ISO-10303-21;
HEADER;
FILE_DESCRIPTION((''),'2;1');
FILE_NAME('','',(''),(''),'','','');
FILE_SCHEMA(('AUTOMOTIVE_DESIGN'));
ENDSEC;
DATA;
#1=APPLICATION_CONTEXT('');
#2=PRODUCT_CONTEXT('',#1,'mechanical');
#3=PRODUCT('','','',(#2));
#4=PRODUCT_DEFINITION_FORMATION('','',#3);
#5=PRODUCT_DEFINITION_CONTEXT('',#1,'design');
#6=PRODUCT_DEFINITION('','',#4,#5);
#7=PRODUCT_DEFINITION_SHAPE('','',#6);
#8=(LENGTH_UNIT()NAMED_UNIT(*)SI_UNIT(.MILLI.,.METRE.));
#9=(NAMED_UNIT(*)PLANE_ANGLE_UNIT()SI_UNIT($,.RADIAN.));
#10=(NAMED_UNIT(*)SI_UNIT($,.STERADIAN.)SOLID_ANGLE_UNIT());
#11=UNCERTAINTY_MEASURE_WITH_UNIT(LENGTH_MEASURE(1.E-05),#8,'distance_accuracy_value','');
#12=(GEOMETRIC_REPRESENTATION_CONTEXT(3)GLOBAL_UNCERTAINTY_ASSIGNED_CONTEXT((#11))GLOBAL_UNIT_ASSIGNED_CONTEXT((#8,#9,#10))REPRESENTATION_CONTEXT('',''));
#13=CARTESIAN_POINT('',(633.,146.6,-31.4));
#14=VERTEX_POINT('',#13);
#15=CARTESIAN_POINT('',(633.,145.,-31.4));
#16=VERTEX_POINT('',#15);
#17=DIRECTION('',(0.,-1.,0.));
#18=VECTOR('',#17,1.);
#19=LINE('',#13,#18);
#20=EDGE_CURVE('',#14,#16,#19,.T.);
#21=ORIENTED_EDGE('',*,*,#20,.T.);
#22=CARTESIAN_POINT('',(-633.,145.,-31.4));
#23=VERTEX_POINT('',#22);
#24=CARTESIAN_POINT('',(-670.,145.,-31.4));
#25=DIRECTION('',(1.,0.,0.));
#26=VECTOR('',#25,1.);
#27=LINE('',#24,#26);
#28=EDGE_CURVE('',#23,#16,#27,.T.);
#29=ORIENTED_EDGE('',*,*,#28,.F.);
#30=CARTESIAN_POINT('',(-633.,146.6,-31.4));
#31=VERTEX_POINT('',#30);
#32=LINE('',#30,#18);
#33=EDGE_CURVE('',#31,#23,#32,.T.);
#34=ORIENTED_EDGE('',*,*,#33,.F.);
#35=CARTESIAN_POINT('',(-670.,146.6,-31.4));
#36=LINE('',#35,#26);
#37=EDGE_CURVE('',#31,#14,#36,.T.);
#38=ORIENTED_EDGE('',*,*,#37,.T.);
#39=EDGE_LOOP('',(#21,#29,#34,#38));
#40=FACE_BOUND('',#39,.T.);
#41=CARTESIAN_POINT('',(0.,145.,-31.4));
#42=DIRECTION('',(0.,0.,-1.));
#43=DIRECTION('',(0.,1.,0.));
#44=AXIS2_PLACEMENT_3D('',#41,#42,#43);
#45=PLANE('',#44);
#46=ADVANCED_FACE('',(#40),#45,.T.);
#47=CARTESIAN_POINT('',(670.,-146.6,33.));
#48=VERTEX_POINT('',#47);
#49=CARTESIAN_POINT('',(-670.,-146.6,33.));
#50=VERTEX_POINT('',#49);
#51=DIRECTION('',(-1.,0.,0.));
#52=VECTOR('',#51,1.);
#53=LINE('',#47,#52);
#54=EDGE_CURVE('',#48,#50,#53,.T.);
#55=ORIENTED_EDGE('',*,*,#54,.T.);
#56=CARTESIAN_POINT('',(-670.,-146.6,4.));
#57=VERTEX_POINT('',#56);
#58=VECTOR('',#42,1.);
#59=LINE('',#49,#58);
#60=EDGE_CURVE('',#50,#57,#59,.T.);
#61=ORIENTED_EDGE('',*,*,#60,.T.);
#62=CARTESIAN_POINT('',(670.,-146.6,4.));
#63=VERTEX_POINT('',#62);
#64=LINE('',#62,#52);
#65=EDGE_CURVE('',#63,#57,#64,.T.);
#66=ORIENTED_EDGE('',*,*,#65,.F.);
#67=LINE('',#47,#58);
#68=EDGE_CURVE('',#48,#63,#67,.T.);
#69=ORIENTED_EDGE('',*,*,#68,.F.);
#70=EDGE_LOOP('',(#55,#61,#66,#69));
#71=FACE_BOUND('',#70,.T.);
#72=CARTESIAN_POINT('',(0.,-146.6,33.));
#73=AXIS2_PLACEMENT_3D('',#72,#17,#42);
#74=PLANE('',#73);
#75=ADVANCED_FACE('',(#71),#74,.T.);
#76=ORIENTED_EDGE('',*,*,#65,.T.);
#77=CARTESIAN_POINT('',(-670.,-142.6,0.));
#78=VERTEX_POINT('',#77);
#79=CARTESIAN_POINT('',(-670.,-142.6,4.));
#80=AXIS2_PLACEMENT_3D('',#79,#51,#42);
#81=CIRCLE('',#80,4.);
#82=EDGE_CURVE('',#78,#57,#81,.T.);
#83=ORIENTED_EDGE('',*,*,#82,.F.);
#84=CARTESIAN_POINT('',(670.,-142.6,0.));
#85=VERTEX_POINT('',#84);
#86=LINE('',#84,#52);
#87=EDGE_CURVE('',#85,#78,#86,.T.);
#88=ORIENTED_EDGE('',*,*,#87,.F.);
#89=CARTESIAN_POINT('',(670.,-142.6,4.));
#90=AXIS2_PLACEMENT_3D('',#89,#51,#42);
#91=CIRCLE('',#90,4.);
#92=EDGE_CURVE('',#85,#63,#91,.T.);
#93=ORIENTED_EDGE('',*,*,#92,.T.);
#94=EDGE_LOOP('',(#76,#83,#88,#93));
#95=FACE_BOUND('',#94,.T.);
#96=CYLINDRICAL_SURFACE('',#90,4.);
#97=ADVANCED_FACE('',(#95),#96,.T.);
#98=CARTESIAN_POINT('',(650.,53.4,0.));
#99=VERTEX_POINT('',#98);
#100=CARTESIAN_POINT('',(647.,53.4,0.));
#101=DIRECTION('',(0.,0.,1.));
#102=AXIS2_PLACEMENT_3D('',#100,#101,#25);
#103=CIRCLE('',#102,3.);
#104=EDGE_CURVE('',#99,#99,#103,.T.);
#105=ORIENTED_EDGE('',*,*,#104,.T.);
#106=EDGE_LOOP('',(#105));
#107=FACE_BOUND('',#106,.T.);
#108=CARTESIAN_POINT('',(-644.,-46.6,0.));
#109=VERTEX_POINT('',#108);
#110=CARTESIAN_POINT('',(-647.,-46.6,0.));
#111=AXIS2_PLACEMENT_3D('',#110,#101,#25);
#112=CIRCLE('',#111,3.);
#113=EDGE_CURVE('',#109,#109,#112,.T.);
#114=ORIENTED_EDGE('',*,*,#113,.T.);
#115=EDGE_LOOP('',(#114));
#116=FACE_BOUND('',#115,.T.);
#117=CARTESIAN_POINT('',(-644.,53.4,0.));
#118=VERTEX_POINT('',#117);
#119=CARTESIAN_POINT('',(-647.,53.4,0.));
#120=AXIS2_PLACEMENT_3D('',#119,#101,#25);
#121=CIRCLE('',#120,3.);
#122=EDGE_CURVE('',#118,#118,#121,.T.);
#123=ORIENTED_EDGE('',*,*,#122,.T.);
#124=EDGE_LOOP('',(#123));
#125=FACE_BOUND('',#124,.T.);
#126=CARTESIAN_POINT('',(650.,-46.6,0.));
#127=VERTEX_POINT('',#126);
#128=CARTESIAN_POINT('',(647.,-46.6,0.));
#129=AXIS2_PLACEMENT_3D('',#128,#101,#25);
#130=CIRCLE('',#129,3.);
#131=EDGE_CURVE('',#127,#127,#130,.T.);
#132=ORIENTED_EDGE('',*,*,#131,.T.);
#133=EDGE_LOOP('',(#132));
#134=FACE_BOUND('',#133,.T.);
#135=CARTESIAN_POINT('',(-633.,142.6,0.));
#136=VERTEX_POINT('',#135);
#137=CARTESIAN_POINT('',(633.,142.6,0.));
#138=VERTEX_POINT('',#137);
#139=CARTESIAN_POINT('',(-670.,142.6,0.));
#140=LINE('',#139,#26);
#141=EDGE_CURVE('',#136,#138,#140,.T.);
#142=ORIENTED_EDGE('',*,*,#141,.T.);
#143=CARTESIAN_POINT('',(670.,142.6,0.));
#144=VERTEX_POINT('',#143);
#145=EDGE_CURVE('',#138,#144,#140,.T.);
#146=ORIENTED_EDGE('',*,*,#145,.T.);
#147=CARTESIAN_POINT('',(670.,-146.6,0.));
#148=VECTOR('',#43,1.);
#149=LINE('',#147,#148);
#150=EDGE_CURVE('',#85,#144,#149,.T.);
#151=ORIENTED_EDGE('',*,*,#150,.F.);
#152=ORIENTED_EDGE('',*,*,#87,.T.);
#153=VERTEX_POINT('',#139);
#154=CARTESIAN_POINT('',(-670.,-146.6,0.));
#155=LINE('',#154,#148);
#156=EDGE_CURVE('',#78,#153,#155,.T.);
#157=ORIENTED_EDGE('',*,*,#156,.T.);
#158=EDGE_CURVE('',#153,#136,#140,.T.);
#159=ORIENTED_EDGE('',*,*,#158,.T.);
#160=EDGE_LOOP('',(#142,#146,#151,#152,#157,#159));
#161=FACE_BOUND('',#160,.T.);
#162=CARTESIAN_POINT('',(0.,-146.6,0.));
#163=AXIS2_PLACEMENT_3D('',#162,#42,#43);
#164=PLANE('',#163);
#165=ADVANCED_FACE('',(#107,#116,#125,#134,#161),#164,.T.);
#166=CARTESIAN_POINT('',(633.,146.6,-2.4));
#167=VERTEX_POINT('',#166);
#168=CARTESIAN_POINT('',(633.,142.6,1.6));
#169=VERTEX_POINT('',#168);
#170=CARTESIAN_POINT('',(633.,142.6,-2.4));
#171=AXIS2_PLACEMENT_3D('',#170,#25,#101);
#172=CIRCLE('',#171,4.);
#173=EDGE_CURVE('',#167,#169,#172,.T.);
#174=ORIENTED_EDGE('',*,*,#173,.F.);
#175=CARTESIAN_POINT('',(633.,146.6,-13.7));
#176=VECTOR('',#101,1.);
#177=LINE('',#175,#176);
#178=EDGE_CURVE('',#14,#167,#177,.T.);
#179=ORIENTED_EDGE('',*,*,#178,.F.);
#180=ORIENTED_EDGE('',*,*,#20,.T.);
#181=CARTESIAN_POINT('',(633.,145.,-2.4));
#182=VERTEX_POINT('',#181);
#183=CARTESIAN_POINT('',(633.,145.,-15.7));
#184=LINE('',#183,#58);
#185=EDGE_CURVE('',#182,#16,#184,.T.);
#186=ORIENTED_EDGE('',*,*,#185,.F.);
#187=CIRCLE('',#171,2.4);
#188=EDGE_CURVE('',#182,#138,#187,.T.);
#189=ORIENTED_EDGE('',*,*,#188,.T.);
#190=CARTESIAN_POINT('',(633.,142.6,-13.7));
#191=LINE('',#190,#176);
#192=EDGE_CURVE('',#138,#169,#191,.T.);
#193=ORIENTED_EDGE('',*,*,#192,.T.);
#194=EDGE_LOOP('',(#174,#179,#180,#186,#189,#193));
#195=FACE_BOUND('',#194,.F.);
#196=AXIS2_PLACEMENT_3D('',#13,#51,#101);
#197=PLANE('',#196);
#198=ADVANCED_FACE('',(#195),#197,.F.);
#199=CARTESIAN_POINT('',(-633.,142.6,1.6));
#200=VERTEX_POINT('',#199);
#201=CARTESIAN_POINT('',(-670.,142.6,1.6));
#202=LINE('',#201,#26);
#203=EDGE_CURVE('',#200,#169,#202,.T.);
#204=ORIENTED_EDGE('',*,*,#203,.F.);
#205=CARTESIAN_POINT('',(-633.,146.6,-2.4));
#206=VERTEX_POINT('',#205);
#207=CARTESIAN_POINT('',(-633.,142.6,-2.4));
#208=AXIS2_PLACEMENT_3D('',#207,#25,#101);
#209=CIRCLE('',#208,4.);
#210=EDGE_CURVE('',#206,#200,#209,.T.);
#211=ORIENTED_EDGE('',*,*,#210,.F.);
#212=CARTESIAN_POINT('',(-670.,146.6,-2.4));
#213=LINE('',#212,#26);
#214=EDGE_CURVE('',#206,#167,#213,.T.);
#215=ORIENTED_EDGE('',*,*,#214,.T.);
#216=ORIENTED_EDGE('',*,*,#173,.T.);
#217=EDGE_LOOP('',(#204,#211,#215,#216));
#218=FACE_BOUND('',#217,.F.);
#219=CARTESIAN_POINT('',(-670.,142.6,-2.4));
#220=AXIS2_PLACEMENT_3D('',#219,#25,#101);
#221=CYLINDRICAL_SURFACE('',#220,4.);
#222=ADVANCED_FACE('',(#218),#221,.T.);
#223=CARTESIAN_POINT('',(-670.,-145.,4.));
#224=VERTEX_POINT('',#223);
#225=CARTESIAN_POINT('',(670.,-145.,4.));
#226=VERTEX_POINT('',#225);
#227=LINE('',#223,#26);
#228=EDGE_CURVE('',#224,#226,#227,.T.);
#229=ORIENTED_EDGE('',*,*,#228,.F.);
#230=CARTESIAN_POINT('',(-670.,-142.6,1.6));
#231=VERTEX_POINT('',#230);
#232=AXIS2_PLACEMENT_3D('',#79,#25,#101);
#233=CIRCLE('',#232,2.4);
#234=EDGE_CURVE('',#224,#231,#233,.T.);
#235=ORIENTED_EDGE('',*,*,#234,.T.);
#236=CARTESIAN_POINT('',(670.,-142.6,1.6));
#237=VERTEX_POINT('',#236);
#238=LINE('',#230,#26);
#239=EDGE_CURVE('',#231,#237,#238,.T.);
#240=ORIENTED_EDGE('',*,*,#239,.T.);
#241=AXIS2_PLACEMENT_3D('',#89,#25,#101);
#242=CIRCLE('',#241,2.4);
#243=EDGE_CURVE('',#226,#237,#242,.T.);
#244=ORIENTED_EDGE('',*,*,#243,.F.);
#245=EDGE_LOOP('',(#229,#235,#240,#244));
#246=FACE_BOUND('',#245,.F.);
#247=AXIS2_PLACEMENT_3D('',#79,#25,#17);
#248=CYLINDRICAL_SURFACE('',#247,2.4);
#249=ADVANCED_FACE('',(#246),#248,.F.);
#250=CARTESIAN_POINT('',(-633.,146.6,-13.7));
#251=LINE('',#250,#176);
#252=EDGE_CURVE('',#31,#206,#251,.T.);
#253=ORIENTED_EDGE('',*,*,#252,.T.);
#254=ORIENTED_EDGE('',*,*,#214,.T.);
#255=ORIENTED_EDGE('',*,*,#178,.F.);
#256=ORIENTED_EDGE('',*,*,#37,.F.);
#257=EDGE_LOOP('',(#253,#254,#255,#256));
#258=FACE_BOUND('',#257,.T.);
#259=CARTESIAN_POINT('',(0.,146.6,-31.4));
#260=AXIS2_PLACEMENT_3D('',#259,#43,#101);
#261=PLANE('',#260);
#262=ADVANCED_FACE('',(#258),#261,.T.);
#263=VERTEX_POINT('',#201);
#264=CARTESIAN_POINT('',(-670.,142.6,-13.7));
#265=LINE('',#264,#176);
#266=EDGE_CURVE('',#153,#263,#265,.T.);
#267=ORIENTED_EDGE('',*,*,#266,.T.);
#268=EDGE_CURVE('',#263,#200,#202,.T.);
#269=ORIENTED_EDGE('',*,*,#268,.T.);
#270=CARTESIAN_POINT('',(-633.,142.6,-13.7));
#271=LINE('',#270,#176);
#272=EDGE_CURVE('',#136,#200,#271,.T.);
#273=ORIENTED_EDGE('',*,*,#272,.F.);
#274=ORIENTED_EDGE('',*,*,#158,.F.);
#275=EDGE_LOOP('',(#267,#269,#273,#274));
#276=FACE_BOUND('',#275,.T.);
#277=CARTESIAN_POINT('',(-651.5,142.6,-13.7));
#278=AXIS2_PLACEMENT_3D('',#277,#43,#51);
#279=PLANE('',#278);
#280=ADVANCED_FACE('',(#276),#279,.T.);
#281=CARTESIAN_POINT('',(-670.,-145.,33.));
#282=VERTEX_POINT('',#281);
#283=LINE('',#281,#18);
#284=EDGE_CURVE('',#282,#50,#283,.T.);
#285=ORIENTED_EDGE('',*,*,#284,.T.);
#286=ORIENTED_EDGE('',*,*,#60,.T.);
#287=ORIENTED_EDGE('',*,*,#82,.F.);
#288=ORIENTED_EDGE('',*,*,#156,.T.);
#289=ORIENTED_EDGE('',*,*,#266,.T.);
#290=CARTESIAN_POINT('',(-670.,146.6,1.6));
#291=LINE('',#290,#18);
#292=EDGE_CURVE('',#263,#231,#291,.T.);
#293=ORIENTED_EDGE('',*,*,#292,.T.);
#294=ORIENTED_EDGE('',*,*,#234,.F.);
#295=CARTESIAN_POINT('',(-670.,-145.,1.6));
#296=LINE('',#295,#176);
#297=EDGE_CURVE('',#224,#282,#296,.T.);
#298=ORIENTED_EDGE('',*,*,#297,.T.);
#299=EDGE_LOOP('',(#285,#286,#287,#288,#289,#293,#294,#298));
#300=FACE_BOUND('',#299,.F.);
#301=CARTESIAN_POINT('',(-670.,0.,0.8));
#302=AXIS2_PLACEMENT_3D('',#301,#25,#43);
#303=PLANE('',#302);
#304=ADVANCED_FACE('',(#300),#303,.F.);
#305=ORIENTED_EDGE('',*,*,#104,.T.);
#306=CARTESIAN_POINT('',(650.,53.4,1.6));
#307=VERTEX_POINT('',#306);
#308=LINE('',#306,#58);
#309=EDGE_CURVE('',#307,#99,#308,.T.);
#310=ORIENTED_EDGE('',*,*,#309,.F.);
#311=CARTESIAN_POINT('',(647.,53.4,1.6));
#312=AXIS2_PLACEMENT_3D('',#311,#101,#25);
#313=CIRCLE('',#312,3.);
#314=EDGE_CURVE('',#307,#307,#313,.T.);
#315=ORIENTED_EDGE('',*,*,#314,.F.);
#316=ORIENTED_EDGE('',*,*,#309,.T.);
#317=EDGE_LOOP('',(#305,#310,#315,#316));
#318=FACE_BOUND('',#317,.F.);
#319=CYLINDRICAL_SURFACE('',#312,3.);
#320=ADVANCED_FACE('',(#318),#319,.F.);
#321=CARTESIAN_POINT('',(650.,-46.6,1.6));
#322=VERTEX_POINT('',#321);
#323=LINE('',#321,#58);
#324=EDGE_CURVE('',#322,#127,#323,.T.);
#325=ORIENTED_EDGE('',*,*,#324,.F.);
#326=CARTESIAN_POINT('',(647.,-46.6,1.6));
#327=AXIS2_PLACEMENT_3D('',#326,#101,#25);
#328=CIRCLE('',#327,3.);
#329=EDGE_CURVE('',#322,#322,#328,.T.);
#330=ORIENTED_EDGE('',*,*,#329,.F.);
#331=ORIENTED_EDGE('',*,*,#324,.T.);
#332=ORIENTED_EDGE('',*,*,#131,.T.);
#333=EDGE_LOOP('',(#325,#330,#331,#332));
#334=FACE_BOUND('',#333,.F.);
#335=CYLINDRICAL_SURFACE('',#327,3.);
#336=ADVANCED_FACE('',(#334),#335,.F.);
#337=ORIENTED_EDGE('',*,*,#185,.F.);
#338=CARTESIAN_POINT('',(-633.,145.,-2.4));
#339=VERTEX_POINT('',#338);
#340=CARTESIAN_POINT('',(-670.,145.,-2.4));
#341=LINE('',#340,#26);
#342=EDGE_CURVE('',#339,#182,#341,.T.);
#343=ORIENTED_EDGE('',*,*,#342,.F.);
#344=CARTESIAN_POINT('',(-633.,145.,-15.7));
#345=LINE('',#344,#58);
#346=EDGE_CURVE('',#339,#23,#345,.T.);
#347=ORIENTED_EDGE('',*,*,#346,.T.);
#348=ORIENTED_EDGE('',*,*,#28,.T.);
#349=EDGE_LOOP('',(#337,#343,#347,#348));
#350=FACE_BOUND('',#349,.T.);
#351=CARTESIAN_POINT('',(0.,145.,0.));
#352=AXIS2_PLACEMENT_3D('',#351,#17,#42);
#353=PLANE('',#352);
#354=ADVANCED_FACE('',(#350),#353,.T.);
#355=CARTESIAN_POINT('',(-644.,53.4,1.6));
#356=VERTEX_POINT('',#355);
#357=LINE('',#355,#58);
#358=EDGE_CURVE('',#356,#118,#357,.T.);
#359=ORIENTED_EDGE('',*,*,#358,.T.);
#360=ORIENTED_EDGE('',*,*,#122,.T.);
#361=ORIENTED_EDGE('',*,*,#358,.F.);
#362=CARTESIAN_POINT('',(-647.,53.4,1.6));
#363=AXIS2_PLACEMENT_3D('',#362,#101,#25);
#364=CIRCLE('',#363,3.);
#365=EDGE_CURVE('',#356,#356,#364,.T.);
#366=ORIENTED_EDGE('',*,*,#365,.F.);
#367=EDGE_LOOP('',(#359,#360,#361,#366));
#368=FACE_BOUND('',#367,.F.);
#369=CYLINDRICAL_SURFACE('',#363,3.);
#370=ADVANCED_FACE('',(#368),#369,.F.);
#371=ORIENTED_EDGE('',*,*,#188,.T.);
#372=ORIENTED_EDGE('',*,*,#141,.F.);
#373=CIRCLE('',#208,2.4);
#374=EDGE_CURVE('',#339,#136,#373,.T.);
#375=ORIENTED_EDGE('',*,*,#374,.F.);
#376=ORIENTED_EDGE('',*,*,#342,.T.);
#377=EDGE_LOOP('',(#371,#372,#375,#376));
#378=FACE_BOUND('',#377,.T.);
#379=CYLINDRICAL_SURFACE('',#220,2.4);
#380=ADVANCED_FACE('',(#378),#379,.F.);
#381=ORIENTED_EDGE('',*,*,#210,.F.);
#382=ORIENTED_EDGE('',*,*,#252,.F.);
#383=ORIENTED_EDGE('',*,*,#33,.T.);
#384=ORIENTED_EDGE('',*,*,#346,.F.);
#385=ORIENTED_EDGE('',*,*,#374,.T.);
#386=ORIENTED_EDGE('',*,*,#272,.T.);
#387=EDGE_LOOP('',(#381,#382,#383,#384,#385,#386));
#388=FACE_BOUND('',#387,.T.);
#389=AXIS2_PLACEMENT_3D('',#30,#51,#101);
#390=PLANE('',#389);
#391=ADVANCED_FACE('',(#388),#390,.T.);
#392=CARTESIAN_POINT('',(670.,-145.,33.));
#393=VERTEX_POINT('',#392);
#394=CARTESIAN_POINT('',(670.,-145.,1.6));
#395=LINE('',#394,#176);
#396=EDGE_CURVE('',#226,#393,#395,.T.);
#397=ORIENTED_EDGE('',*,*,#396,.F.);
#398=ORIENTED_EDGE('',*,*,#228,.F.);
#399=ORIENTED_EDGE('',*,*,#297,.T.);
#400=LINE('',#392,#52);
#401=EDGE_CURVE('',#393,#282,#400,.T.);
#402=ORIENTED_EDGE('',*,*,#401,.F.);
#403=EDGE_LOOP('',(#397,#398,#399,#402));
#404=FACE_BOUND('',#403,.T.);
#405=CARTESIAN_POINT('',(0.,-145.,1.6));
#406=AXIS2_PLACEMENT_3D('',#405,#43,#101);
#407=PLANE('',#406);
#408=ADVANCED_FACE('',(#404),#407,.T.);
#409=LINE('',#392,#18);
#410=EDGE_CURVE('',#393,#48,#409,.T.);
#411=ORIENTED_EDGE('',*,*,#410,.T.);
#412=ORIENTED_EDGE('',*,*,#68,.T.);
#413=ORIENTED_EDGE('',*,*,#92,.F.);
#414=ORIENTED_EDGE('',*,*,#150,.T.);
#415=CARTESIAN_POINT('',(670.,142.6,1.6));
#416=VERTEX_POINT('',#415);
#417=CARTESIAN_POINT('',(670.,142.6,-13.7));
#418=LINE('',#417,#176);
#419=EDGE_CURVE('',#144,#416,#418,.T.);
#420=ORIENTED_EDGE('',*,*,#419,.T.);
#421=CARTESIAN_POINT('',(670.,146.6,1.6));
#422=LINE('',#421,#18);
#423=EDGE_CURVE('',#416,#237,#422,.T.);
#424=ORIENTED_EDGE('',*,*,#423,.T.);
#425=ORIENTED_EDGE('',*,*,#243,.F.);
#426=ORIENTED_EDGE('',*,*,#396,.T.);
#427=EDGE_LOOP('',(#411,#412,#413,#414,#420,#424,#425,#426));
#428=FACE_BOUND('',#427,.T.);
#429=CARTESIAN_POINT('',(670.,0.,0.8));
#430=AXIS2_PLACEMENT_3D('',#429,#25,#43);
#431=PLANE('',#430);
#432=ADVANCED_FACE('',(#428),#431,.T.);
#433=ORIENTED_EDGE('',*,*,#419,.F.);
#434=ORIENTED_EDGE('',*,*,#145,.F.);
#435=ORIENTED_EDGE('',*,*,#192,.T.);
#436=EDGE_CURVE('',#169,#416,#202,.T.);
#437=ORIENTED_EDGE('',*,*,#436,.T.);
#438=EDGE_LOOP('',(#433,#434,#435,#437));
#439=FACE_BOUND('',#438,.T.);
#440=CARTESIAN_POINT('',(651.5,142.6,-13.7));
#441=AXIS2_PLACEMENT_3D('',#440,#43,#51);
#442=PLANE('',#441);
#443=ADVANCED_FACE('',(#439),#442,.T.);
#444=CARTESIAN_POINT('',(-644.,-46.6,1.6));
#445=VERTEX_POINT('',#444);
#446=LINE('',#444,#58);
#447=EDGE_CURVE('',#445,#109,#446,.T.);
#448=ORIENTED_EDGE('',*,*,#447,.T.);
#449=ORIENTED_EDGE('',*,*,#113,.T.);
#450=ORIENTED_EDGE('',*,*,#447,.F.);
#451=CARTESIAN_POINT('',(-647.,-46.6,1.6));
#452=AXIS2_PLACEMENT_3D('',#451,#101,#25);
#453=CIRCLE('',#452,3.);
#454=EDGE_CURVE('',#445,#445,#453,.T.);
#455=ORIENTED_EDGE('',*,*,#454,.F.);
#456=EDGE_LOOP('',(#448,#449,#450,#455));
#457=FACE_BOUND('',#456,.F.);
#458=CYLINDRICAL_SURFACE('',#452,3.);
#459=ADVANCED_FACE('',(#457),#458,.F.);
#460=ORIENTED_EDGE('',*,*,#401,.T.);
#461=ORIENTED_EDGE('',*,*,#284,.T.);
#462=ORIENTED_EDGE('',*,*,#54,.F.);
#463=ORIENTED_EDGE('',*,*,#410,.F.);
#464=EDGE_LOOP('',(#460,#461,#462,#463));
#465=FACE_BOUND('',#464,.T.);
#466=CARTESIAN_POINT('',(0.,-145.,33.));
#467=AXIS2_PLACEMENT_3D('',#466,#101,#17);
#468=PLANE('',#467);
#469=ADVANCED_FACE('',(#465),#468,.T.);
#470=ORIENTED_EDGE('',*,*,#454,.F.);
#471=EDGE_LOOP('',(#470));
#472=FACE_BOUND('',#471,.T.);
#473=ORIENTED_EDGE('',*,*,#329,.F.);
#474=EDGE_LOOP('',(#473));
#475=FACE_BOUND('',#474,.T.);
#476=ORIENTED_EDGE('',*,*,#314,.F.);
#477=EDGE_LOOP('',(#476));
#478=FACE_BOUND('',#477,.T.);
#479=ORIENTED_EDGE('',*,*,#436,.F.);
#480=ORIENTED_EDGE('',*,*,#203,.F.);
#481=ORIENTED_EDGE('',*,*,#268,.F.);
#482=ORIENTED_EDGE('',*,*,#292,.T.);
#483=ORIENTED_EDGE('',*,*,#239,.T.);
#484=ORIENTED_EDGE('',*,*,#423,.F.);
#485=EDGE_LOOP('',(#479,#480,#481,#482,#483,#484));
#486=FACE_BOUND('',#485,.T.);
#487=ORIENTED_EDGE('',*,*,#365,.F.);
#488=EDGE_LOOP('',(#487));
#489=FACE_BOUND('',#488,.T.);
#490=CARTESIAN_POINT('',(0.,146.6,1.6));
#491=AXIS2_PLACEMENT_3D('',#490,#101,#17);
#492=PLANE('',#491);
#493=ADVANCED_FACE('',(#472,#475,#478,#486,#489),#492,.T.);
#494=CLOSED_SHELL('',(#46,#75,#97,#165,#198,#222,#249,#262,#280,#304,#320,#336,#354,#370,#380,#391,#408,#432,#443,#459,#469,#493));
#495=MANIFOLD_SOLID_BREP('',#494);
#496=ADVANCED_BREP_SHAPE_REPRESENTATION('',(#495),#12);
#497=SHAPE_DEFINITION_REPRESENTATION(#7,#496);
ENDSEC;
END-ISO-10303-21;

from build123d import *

# Parameters (mm, degrees)
F1_DEPTH = 670
F2_R     = 4
F3_R     = 2.4
F4_W     = 37
F4_H     = 35.4
F5_DEPTH = 4
F6_R     = 3
F7_DEPTH = 25


with BuildPart() as f1:
    # F0 (on Right) → F1 (new body, symmetric)
    with BuildSketch(Plane.YZ):
        Polygon((-146.6, 0), (145, 0), (145, -31.4), (146.6, -31.4), (146.6, 1.6), (-145, 1.6), (-145, 33), (-146.6, 33), align=None)
    extrude(amount=F1_DEPTH, both=True)

    # F2
    f2_edges = [f1.edges().sort_by_distance(p)[0] for p in [
        (0, -146.6, 0),
        (0, 146.6, 1.6),
    ]]
    fillet(f2_edges, radius=F2_R)

    # F3
    f3_edges = [f1.edges().sort_by_distance(p)[0] for p in [
        (0, -145, 1.6),
        (0, 145, 0),
    ]]
    fillet(f3_edges, radius=F3_R)

    # F4 (on face) → F5 (cut)
    with BuildSketch(Plane(origin=(0, 146.6, 0), x_dir=(-1, 0, 0), z_dir=(0, 1, 0))):
        with Locations((-651.5, -13.7)):
            Rectangle(F4_W, F4_H)
        with Locations((651.5, -13.7)):
            Rectangle(F4_W, F4_H)
    extrude(amount=-F5_DEPTH, mode=Mode.SUBTRACT)

    # F6 (on face) → F7 (cut)
    with BuildSketch(Plane.XY.offset(1.6)):
        with Locations((-647, -46.6)):
            Circle(F6_R)
        with Locations((-647, 53.4)):
            Circle(F6_R)
        with Locations((647, 53.4)):
            Circle(F6_R)
        with Locations((647, -46.6)):
            Circle(F6_R)
    extrude(amount=-F7_DEPTH, mode=Mode.SUBTRACT)


solid = f1.part
